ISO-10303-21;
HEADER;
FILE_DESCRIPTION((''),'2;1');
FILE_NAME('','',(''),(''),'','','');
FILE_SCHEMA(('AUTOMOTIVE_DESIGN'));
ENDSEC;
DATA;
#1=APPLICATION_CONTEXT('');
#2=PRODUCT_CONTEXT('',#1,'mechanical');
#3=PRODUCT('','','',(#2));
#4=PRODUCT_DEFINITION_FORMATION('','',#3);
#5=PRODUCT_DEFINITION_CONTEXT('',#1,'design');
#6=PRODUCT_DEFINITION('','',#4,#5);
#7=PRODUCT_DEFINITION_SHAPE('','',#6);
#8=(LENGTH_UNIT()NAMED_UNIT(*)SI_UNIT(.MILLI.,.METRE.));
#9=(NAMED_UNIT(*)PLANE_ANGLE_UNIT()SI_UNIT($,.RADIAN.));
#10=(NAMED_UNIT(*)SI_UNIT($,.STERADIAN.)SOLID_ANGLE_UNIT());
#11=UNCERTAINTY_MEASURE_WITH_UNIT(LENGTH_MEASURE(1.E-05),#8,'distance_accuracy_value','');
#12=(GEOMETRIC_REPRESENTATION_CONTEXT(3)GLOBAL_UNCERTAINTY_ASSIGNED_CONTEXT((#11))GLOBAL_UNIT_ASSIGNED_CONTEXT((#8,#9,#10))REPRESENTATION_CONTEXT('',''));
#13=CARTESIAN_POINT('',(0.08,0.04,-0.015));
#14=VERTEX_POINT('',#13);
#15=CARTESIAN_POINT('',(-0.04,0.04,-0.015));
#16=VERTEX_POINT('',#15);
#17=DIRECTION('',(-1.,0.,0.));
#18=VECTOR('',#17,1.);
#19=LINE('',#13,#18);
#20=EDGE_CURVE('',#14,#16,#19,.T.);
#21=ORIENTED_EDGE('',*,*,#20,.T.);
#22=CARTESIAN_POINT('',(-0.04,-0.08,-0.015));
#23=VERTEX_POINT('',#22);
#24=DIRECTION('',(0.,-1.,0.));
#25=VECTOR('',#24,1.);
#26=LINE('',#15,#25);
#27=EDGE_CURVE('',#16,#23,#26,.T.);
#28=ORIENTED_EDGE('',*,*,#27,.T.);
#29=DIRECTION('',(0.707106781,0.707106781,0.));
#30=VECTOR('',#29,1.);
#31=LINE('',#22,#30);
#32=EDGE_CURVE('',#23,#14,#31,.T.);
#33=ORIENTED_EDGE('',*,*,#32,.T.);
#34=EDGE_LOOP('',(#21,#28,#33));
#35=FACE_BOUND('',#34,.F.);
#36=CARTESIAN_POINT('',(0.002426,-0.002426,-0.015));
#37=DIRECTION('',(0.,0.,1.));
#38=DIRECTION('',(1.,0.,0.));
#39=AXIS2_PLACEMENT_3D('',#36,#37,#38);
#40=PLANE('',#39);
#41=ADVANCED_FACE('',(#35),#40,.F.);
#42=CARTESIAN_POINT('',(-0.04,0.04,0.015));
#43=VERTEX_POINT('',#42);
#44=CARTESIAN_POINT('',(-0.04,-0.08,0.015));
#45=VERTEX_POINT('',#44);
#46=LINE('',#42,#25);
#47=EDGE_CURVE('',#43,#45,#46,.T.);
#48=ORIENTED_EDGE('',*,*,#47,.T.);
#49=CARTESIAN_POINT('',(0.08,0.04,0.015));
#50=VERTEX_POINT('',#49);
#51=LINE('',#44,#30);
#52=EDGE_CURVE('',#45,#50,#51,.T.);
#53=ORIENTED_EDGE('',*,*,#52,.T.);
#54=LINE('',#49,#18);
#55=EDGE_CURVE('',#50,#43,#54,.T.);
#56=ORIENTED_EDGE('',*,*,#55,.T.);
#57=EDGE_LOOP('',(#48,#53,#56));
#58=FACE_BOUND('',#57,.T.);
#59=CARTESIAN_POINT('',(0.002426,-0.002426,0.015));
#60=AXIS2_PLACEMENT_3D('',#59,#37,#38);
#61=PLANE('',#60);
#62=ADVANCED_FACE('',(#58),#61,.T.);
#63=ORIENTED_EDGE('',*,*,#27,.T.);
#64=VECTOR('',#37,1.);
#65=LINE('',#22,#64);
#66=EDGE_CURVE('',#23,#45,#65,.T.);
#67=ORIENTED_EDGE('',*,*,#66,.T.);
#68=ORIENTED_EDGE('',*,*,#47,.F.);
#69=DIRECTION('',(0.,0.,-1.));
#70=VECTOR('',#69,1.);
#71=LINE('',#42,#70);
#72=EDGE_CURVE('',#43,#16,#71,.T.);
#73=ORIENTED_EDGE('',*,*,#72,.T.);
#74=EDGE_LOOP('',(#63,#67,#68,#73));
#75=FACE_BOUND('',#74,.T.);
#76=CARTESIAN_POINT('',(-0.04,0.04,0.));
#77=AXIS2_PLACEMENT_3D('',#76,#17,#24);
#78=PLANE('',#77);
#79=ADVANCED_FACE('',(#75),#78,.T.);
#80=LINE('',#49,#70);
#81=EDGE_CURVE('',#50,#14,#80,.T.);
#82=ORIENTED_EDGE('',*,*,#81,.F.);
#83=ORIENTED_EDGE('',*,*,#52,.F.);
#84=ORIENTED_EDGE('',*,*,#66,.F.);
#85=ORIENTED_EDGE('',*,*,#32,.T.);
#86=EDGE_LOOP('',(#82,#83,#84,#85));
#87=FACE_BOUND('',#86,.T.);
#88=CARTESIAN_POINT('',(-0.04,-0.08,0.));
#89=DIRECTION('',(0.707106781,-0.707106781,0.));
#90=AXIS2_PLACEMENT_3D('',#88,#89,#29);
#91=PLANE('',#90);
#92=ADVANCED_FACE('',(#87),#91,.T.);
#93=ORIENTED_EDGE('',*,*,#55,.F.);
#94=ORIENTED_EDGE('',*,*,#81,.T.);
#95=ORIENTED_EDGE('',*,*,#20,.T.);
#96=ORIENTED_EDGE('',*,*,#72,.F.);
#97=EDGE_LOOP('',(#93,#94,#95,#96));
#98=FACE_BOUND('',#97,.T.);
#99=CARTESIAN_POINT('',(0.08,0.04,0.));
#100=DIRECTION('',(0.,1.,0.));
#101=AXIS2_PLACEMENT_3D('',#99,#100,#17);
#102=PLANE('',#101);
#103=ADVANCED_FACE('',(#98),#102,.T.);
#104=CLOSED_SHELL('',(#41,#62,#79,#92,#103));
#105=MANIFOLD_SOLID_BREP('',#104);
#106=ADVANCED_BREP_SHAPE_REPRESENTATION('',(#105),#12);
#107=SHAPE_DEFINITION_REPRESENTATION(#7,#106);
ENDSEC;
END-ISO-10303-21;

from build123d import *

# Parameters (mm, degrees)
PAD_DEPTH = 0.015


with BuildPart() as part:
    # Sketch → Pad (new body, symmetric)
    with BuildSketch(Plane.XY):
        Polygon((-0.04, 0.04), (-0.04, -0.08), (0.08, 0.04), align=None)
    extrude(amount=PAD_DEPTH, both=True)


solid = part.part
